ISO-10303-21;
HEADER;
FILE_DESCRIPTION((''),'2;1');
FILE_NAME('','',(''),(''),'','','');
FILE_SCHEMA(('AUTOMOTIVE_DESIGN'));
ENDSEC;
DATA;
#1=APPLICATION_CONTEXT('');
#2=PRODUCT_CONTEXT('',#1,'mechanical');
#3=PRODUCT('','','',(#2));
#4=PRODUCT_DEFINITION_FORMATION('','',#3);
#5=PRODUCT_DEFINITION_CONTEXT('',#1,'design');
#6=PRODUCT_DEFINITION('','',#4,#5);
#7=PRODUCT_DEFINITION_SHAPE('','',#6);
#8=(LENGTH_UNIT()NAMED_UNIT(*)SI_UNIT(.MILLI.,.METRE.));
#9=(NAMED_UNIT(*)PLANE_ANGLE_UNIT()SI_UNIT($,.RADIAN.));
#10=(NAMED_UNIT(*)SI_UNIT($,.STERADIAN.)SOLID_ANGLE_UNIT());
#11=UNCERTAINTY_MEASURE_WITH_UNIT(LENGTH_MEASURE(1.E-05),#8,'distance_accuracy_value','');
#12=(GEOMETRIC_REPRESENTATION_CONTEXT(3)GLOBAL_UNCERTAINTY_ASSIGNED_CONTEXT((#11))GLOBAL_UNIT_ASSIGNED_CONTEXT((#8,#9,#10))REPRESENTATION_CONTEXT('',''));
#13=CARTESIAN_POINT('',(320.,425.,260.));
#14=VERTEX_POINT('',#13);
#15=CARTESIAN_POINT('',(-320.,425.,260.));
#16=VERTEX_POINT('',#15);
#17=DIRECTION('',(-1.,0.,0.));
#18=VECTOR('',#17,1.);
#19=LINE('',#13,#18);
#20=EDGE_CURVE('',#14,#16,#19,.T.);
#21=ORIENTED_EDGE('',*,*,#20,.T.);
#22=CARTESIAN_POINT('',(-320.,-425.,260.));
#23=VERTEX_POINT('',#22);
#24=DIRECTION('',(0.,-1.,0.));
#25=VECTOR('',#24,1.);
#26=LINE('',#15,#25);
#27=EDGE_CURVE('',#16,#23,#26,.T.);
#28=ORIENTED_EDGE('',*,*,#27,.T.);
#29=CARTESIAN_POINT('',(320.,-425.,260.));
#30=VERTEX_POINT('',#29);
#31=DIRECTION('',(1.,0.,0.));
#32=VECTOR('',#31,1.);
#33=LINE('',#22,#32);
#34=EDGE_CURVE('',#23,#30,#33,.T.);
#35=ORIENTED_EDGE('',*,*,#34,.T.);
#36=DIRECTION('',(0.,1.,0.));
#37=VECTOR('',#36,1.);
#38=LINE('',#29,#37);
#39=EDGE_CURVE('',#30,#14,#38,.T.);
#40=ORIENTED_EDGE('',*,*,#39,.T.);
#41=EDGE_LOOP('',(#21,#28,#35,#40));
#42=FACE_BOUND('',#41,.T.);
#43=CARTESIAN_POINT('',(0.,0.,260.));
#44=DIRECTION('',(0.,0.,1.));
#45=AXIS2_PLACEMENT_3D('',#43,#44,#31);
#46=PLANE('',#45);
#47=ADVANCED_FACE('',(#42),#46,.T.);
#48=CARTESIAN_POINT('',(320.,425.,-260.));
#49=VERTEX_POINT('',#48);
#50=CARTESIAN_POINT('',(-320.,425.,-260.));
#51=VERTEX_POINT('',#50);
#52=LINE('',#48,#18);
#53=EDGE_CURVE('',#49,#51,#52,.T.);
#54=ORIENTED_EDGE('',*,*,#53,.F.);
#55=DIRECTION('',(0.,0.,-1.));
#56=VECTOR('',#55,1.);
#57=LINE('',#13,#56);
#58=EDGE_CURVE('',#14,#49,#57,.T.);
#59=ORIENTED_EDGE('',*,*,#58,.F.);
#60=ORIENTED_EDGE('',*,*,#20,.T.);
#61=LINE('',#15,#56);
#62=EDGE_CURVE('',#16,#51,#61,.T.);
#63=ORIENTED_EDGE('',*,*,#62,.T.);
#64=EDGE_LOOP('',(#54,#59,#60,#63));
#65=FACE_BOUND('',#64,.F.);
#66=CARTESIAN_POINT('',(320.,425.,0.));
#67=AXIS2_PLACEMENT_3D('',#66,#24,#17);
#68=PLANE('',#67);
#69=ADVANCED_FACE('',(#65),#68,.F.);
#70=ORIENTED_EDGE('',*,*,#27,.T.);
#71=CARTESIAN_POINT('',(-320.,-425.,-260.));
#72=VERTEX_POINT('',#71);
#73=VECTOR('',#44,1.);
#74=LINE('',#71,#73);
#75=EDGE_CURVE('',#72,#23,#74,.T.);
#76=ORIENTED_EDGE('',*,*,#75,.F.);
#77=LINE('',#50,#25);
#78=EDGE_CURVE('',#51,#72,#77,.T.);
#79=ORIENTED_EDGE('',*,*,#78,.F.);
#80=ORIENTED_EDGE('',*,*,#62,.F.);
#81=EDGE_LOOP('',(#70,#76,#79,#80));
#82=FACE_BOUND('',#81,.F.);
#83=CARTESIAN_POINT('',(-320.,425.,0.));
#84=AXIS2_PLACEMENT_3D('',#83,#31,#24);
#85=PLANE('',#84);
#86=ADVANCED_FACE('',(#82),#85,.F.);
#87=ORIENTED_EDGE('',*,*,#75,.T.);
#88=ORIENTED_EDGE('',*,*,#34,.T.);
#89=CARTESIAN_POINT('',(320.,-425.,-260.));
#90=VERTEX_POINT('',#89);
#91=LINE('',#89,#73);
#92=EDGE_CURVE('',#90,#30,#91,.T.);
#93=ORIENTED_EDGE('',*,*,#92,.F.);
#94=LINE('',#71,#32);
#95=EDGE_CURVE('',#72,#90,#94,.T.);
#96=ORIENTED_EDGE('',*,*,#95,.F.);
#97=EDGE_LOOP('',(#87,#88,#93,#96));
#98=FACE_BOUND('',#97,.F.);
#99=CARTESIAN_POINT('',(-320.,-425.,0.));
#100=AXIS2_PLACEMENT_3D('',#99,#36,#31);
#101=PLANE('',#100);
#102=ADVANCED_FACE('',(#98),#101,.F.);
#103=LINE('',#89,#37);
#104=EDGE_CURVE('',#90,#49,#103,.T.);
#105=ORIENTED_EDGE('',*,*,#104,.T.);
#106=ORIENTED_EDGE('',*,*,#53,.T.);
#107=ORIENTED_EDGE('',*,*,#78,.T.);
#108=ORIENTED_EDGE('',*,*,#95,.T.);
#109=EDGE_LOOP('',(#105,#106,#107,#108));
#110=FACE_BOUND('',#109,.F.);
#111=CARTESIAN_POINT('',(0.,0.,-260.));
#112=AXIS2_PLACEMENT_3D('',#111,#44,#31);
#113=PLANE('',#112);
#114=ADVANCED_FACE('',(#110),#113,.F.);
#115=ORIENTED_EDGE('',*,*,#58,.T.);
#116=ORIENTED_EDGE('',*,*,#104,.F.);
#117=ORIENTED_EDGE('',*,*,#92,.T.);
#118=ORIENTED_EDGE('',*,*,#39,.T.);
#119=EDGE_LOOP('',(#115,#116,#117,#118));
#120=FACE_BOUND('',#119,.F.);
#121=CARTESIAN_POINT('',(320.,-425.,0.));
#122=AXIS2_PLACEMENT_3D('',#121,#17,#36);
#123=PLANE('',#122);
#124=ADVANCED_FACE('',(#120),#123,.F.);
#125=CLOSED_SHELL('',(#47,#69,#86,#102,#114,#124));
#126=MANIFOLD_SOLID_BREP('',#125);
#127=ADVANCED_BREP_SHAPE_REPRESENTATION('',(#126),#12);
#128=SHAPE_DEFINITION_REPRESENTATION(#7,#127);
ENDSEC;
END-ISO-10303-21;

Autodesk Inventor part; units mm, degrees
ref_plane "YZ Plane" through (0, 0, 0) normal (1, 0, 0) x (0, 1, 0)
ref_plane "XZ Plane" through (0, 0, 0) normal (0, 1, 0) x (-1, 0, 0)
ref_plane "XY Plane" through (0, 0, 0) normal (0, 0, 1) x (1, 0, 0)
sketch "Эскиз1" plane through (0, 0, 0) normal (0, 0, 1) x (1, 0, 0)
  line L0 (-320, -425) -> (320, -425)
  line L1 (320, -425) -> (320, 425)
  line L2 (320, 425) -> (-320, 425)
  line L3 (-320, 425) -> (-320, -425)
  line L4 (-320, -425) -> (320, 425) construction
  line L5 (320, -425) -> (-320, 425) construction
  point P0 (0, 0)
  dimension "d0" = 640
  dimension "d1" = 850
extrude "Выдавливание1" add sketch "Эскиз1" along normal mid plane 520
